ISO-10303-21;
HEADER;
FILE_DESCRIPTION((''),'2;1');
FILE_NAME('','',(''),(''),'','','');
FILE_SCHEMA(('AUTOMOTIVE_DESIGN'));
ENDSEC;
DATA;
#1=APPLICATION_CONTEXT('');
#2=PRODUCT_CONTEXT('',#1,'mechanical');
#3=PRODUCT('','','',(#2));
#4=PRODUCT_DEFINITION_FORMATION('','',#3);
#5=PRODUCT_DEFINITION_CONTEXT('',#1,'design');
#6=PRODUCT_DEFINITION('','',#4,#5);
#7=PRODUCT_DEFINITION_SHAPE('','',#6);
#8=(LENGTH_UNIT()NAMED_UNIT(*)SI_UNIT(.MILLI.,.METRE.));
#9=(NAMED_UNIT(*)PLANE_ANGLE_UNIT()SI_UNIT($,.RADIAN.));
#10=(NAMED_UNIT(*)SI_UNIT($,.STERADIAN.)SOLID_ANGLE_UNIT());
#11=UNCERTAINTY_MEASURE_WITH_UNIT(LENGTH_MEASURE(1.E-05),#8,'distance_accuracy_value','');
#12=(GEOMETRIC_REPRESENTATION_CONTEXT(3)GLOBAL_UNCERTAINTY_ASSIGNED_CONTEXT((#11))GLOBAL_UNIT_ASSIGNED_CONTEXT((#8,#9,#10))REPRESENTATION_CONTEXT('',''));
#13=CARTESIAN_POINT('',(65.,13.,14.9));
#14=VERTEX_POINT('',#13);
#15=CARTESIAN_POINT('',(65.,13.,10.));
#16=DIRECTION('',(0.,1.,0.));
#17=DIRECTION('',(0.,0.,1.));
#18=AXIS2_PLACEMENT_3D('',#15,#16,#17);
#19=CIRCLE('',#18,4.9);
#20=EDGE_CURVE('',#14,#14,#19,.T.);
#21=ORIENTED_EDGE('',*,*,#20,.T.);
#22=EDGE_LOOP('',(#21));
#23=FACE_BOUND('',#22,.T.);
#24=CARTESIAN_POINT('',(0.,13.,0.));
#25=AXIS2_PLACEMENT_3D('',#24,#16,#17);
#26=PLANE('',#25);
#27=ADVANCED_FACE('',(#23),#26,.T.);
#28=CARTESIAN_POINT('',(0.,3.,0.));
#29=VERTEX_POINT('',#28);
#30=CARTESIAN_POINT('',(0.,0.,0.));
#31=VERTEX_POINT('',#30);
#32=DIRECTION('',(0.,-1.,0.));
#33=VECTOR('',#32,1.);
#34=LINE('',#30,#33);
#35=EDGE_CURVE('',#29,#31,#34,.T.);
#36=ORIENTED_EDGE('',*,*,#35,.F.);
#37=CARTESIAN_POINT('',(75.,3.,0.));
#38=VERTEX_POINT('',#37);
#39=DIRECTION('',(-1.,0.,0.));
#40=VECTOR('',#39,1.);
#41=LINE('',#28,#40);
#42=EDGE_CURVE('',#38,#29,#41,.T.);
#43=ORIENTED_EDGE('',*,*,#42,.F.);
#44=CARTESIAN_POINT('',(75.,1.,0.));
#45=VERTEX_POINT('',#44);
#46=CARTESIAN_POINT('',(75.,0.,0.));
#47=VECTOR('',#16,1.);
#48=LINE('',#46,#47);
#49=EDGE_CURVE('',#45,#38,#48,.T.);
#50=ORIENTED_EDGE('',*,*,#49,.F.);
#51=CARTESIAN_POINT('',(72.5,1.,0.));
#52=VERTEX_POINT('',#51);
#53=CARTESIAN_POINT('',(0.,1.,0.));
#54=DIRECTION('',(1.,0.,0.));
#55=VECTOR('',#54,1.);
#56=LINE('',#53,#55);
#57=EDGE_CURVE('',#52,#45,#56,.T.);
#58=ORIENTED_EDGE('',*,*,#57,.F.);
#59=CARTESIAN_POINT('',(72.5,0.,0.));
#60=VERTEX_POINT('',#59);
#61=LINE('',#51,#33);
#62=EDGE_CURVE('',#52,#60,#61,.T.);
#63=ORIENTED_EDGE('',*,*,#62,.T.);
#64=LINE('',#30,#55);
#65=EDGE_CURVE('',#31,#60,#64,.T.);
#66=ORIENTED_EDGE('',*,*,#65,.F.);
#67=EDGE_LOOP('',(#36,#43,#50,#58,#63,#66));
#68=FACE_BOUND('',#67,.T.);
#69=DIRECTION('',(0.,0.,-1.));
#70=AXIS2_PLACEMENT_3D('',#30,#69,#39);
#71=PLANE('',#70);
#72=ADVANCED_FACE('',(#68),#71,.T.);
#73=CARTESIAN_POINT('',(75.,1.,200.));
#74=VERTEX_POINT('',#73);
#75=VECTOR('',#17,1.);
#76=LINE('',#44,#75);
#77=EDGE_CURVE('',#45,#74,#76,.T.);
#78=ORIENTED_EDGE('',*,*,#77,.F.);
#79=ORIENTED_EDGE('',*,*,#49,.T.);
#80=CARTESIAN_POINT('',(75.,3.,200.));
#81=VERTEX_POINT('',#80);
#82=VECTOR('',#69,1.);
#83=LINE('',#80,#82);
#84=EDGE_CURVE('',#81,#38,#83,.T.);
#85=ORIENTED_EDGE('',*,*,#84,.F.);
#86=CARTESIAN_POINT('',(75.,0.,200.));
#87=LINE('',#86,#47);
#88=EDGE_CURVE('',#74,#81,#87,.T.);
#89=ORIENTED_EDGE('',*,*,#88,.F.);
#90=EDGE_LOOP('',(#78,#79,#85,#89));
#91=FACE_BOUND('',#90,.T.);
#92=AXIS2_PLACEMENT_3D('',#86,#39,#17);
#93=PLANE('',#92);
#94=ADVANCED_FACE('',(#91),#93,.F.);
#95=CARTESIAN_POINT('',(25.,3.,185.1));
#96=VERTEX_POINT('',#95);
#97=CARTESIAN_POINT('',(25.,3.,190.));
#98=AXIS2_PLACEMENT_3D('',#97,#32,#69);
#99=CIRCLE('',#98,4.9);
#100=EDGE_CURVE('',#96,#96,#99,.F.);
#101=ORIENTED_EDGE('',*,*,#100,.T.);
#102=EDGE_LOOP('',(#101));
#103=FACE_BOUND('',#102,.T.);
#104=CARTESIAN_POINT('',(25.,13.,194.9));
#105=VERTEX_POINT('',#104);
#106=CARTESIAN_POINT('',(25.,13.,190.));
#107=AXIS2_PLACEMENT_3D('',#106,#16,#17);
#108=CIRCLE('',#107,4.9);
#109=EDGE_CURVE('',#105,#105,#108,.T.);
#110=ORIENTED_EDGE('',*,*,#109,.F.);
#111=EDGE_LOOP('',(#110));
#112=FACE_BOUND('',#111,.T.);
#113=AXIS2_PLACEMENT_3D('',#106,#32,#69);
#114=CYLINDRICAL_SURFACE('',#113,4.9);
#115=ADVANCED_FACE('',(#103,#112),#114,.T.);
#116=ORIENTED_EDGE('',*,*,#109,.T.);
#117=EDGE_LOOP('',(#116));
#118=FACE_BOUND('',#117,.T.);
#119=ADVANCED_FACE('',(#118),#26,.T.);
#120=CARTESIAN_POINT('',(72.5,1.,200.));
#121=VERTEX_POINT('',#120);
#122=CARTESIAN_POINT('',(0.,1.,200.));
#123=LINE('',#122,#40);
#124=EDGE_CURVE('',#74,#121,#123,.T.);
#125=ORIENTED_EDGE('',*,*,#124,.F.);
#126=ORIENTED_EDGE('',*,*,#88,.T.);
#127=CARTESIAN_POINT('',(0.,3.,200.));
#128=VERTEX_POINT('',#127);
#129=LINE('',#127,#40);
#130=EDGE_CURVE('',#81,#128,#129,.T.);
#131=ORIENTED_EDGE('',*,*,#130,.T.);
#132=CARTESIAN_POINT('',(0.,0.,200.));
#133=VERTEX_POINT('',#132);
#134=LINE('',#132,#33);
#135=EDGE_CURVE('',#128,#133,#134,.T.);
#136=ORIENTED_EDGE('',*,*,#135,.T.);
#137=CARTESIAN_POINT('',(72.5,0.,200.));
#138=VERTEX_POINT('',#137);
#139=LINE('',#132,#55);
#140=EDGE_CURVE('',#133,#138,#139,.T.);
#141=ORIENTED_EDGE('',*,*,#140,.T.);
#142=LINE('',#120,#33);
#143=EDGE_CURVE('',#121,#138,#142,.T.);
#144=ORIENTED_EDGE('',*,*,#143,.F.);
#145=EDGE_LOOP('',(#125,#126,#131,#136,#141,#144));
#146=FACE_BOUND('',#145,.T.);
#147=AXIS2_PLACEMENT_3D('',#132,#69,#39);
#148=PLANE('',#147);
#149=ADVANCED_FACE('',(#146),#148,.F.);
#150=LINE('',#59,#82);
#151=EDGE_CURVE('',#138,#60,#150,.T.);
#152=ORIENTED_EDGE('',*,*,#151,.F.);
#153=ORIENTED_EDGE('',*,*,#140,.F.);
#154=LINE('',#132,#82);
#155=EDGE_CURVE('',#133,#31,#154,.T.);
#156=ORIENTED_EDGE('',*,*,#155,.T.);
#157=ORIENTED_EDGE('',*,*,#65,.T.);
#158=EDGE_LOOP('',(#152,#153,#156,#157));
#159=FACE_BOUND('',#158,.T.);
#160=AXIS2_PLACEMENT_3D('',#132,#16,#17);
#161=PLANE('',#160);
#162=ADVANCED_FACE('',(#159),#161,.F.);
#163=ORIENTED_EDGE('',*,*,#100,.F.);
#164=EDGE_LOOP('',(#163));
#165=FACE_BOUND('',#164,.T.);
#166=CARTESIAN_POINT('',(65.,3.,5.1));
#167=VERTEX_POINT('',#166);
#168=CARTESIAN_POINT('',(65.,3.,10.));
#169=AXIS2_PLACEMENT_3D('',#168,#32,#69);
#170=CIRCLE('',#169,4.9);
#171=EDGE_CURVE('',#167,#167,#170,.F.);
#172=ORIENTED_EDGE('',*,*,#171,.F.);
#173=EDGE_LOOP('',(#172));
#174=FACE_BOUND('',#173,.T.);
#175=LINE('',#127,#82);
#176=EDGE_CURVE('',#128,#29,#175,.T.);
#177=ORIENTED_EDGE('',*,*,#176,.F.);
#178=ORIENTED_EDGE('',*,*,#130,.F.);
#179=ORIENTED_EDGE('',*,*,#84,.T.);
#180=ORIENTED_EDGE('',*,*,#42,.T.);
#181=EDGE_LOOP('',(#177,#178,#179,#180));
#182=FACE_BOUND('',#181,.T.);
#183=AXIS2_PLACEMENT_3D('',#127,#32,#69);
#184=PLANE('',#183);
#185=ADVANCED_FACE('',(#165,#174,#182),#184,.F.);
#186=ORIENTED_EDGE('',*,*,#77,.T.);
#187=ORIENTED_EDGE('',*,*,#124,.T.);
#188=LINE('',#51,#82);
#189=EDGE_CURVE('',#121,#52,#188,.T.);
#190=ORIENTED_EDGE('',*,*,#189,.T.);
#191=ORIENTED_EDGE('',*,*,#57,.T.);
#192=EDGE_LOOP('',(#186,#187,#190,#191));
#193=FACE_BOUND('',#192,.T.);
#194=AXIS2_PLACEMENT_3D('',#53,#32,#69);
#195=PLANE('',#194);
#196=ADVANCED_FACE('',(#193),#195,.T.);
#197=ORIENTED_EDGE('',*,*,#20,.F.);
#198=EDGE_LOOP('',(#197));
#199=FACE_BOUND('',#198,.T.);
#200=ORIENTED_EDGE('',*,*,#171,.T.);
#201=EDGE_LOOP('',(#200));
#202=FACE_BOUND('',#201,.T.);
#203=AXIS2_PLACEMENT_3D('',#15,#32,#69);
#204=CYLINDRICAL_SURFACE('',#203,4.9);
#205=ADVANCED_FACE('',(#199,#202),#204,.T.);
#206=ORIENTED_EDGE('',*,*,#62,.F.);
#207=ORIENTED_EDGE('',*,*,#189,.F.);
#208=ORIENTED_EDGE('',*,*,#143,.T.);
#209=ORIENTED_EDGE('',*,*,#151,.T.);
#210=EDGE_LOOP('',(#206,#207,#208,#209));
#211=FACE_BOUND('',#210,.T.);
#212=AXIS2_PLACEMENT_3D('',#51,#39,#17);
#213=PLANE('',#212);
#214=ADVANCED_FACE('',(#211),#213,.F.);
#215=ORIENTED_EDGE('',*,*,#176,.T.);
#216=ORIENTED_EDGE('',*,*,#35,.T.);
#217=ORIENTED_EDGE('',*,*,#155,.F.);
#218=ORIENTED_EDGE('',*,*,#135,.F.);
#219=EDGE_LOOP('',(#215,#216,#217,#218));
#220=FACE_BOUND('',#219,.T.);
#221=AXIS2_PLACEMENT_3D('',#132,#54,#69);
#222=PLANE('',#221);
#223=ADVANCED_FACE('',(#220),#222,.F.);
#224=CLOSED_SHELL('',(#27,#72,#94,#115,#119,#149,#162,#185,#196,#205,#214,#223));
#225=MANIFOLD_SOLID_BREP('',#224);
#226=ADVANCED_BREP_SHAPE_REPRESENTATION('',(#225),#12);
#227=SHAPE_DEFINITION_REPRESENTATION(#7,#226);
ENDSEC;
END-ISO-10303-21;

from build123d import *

# Parameters (mm, degrees)
SKETCH1_W           = 75
SKETCH1_H           = 3
BOSS_EXTRUDE1_DEPTH = 200
SKETCH2_R           = 4.9
BOSS_EXTRUDE2_DEPTH = 10
SKETCH5_W           = 2.5
SKETCH5_H           = 200
CUT_EXTRUDE2_DEPTH  = 1


with BuildPart() as part:
    # Sketch1 → Boss-Extrude1 (new body)
    with BuildSketch(Plane.XY):
        with Locations((37.5, 1.5)):
            Rectangle(SKETCH1_W, SKETCH1_H)
    extrude(amount=BOSS_EXTRUDE1_DEPTH)

    # Sketch2 → Boss-Extrude2 (add)
    with BuildSketch(Plane(origin=(0, 3, 0), x_dir=(1, 0, 0), z_dir=(0, 1, 0))):
        with Locations(Location((25, -190, 0), (0, 0, 90))):
            Circle(SKETCH2_R)
        with Locations(Location((65, -10, 0), (0, 0, 90))):
            Circle(SKETCH2_R)
        with Locations((165, -190)):
            Circle(SKETCH2_R)
        with Locations((85, -190)):
            Circle(SKETCH2_R)
        with Locations((-27.5, -10)):
            Circle(SKETCH2_R)
    extrude(amount=BOSS_EXTRUDE2_DEPTH)


with BuildPart() as boss_extrude2_kept_piece:
    # of the separate pieces the step leaves, the one the design keeps (boss_extrude2_pieces_kept)
    add(part.part.solids().sort_by_distance((0, 0, 0))[0])

    # Sketch5 → Cut-Extrude2 (cut)
    with BuildSketch(Plane.XZ):
        with Locations((73.75, 100)):
            Rectangle(SKETCH5_W, SKETCH5_H)
    extrude(amount=-CUT_EXTRUDE2_DEPTH, mode=Mode.SUBTRACT)


solid = boss_extrude2_kept_piece.part
